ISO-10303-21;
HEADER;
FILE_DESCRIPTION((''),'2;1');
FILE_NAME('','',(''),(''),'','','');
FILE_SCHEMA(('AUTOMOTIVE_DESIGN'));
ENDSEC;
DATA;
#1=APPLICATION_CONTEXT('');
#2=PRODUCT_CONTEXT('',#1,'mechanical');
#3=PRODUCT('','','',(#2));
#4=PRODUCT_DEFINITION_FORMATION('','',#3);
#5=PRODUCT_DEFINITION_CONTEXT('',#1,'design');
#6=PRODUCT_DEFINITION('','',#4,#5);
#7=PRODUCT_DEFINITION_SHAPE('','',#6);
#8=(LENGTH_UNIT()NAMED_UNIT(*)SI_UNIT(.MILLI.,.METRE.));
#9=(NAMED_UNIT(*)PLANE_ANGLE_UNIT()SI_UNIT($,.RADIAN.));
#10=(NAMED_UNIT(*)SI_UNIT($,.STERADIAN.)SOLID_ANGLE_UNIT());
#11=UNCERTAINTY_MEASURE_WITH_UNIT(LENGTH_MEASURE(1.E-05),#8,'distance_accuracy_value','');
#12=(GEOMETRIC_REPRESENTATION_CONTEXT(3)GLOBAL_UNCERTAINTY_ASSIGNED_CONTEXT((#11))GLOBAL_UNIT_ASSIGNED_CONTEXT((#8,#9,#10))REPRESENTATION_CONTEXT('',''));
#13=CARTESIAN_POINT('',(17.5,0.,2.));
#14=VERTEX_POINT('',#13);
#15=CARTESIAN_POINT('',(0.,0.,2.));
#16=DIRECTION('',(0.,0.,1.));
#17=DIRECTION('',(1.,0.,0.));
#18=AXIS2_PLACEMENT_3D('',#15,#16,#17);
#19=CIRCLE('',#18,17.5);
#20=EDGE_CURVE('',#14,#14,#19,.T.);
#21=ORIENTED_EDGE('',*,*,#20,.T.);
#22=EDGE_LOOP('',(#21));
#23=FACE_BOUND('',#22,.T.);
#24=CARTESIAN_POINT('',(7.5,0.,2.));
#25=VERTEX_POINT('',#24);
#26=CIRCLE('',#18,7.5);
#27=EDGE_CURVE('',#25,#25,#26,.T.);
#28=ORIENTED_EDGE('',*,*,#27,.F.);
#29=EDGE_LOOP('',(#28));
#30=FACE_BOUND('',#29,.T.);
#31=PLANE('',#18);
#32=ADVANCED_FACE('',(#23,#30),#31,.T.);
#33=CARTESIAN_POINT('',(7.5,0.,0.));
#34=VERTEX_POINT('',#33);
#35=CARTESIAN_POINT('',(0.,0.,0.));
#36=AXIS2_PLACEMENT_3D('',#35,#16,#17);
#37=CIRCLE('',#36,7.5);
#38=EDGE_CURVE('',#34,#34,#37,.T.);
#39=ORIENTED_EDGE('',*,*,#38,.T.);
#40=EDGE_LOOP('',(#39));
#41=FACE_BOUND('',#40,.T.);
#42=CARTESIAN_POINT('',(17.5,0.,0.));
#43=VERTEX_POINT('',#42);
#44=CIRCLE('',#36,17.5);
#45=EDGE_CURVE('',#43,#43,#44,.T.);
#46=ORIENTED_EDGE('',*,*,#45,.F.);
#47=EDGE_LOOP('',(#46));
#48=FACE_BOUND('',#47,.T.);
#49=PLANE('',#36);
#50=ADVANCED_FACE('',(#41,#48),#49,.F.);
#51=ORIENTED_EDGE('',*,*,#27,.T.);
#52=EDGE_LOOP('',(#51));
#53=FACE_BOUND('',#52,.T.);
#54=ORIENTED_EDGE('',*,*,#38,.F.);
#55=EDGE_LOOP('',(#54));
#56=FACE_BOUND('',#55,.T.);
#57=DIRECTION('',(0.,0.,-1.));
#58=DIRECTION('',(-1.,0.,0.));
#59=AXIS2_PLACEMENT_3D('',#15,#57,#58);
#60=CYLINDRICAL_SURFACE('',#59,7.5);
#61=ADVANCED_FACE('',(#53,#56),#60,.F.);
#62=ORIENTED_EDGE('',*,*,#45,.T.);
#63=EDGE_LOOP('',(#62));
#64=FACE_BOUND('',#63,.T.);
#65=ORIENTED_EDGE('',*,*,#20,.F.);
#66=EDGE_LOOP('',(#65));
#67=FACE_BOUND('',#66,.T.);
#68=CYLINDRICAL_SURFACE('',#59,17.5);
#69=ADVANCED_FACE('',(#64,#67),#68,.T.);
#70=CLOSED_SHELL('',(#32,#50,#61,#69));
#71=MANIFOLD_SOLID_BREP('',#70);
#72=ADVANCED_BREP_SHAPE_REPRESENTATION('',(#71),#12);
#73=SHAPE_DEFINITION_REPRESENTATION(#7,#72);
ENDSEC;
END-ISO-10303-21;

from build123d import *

# Parameters (mm, degrees)
SKETCH1_R           = 17.5
SKETCH1_R_2         = 7.5
BOSS_EXTRUDE1_DEPTH = 2


with BuildPart() as part:
    # Sketch1 → Boss-Extrude1 (new body)
    with BuildSketch(Plane.XY):
        Circle(SKETCH1_R)
        Circle(SKETCH1_R_2, mode=Mode.SUBTRACT)
    extrude(amount=BOSS_EXTRUDE1_DEPTH)


solid = part.part
